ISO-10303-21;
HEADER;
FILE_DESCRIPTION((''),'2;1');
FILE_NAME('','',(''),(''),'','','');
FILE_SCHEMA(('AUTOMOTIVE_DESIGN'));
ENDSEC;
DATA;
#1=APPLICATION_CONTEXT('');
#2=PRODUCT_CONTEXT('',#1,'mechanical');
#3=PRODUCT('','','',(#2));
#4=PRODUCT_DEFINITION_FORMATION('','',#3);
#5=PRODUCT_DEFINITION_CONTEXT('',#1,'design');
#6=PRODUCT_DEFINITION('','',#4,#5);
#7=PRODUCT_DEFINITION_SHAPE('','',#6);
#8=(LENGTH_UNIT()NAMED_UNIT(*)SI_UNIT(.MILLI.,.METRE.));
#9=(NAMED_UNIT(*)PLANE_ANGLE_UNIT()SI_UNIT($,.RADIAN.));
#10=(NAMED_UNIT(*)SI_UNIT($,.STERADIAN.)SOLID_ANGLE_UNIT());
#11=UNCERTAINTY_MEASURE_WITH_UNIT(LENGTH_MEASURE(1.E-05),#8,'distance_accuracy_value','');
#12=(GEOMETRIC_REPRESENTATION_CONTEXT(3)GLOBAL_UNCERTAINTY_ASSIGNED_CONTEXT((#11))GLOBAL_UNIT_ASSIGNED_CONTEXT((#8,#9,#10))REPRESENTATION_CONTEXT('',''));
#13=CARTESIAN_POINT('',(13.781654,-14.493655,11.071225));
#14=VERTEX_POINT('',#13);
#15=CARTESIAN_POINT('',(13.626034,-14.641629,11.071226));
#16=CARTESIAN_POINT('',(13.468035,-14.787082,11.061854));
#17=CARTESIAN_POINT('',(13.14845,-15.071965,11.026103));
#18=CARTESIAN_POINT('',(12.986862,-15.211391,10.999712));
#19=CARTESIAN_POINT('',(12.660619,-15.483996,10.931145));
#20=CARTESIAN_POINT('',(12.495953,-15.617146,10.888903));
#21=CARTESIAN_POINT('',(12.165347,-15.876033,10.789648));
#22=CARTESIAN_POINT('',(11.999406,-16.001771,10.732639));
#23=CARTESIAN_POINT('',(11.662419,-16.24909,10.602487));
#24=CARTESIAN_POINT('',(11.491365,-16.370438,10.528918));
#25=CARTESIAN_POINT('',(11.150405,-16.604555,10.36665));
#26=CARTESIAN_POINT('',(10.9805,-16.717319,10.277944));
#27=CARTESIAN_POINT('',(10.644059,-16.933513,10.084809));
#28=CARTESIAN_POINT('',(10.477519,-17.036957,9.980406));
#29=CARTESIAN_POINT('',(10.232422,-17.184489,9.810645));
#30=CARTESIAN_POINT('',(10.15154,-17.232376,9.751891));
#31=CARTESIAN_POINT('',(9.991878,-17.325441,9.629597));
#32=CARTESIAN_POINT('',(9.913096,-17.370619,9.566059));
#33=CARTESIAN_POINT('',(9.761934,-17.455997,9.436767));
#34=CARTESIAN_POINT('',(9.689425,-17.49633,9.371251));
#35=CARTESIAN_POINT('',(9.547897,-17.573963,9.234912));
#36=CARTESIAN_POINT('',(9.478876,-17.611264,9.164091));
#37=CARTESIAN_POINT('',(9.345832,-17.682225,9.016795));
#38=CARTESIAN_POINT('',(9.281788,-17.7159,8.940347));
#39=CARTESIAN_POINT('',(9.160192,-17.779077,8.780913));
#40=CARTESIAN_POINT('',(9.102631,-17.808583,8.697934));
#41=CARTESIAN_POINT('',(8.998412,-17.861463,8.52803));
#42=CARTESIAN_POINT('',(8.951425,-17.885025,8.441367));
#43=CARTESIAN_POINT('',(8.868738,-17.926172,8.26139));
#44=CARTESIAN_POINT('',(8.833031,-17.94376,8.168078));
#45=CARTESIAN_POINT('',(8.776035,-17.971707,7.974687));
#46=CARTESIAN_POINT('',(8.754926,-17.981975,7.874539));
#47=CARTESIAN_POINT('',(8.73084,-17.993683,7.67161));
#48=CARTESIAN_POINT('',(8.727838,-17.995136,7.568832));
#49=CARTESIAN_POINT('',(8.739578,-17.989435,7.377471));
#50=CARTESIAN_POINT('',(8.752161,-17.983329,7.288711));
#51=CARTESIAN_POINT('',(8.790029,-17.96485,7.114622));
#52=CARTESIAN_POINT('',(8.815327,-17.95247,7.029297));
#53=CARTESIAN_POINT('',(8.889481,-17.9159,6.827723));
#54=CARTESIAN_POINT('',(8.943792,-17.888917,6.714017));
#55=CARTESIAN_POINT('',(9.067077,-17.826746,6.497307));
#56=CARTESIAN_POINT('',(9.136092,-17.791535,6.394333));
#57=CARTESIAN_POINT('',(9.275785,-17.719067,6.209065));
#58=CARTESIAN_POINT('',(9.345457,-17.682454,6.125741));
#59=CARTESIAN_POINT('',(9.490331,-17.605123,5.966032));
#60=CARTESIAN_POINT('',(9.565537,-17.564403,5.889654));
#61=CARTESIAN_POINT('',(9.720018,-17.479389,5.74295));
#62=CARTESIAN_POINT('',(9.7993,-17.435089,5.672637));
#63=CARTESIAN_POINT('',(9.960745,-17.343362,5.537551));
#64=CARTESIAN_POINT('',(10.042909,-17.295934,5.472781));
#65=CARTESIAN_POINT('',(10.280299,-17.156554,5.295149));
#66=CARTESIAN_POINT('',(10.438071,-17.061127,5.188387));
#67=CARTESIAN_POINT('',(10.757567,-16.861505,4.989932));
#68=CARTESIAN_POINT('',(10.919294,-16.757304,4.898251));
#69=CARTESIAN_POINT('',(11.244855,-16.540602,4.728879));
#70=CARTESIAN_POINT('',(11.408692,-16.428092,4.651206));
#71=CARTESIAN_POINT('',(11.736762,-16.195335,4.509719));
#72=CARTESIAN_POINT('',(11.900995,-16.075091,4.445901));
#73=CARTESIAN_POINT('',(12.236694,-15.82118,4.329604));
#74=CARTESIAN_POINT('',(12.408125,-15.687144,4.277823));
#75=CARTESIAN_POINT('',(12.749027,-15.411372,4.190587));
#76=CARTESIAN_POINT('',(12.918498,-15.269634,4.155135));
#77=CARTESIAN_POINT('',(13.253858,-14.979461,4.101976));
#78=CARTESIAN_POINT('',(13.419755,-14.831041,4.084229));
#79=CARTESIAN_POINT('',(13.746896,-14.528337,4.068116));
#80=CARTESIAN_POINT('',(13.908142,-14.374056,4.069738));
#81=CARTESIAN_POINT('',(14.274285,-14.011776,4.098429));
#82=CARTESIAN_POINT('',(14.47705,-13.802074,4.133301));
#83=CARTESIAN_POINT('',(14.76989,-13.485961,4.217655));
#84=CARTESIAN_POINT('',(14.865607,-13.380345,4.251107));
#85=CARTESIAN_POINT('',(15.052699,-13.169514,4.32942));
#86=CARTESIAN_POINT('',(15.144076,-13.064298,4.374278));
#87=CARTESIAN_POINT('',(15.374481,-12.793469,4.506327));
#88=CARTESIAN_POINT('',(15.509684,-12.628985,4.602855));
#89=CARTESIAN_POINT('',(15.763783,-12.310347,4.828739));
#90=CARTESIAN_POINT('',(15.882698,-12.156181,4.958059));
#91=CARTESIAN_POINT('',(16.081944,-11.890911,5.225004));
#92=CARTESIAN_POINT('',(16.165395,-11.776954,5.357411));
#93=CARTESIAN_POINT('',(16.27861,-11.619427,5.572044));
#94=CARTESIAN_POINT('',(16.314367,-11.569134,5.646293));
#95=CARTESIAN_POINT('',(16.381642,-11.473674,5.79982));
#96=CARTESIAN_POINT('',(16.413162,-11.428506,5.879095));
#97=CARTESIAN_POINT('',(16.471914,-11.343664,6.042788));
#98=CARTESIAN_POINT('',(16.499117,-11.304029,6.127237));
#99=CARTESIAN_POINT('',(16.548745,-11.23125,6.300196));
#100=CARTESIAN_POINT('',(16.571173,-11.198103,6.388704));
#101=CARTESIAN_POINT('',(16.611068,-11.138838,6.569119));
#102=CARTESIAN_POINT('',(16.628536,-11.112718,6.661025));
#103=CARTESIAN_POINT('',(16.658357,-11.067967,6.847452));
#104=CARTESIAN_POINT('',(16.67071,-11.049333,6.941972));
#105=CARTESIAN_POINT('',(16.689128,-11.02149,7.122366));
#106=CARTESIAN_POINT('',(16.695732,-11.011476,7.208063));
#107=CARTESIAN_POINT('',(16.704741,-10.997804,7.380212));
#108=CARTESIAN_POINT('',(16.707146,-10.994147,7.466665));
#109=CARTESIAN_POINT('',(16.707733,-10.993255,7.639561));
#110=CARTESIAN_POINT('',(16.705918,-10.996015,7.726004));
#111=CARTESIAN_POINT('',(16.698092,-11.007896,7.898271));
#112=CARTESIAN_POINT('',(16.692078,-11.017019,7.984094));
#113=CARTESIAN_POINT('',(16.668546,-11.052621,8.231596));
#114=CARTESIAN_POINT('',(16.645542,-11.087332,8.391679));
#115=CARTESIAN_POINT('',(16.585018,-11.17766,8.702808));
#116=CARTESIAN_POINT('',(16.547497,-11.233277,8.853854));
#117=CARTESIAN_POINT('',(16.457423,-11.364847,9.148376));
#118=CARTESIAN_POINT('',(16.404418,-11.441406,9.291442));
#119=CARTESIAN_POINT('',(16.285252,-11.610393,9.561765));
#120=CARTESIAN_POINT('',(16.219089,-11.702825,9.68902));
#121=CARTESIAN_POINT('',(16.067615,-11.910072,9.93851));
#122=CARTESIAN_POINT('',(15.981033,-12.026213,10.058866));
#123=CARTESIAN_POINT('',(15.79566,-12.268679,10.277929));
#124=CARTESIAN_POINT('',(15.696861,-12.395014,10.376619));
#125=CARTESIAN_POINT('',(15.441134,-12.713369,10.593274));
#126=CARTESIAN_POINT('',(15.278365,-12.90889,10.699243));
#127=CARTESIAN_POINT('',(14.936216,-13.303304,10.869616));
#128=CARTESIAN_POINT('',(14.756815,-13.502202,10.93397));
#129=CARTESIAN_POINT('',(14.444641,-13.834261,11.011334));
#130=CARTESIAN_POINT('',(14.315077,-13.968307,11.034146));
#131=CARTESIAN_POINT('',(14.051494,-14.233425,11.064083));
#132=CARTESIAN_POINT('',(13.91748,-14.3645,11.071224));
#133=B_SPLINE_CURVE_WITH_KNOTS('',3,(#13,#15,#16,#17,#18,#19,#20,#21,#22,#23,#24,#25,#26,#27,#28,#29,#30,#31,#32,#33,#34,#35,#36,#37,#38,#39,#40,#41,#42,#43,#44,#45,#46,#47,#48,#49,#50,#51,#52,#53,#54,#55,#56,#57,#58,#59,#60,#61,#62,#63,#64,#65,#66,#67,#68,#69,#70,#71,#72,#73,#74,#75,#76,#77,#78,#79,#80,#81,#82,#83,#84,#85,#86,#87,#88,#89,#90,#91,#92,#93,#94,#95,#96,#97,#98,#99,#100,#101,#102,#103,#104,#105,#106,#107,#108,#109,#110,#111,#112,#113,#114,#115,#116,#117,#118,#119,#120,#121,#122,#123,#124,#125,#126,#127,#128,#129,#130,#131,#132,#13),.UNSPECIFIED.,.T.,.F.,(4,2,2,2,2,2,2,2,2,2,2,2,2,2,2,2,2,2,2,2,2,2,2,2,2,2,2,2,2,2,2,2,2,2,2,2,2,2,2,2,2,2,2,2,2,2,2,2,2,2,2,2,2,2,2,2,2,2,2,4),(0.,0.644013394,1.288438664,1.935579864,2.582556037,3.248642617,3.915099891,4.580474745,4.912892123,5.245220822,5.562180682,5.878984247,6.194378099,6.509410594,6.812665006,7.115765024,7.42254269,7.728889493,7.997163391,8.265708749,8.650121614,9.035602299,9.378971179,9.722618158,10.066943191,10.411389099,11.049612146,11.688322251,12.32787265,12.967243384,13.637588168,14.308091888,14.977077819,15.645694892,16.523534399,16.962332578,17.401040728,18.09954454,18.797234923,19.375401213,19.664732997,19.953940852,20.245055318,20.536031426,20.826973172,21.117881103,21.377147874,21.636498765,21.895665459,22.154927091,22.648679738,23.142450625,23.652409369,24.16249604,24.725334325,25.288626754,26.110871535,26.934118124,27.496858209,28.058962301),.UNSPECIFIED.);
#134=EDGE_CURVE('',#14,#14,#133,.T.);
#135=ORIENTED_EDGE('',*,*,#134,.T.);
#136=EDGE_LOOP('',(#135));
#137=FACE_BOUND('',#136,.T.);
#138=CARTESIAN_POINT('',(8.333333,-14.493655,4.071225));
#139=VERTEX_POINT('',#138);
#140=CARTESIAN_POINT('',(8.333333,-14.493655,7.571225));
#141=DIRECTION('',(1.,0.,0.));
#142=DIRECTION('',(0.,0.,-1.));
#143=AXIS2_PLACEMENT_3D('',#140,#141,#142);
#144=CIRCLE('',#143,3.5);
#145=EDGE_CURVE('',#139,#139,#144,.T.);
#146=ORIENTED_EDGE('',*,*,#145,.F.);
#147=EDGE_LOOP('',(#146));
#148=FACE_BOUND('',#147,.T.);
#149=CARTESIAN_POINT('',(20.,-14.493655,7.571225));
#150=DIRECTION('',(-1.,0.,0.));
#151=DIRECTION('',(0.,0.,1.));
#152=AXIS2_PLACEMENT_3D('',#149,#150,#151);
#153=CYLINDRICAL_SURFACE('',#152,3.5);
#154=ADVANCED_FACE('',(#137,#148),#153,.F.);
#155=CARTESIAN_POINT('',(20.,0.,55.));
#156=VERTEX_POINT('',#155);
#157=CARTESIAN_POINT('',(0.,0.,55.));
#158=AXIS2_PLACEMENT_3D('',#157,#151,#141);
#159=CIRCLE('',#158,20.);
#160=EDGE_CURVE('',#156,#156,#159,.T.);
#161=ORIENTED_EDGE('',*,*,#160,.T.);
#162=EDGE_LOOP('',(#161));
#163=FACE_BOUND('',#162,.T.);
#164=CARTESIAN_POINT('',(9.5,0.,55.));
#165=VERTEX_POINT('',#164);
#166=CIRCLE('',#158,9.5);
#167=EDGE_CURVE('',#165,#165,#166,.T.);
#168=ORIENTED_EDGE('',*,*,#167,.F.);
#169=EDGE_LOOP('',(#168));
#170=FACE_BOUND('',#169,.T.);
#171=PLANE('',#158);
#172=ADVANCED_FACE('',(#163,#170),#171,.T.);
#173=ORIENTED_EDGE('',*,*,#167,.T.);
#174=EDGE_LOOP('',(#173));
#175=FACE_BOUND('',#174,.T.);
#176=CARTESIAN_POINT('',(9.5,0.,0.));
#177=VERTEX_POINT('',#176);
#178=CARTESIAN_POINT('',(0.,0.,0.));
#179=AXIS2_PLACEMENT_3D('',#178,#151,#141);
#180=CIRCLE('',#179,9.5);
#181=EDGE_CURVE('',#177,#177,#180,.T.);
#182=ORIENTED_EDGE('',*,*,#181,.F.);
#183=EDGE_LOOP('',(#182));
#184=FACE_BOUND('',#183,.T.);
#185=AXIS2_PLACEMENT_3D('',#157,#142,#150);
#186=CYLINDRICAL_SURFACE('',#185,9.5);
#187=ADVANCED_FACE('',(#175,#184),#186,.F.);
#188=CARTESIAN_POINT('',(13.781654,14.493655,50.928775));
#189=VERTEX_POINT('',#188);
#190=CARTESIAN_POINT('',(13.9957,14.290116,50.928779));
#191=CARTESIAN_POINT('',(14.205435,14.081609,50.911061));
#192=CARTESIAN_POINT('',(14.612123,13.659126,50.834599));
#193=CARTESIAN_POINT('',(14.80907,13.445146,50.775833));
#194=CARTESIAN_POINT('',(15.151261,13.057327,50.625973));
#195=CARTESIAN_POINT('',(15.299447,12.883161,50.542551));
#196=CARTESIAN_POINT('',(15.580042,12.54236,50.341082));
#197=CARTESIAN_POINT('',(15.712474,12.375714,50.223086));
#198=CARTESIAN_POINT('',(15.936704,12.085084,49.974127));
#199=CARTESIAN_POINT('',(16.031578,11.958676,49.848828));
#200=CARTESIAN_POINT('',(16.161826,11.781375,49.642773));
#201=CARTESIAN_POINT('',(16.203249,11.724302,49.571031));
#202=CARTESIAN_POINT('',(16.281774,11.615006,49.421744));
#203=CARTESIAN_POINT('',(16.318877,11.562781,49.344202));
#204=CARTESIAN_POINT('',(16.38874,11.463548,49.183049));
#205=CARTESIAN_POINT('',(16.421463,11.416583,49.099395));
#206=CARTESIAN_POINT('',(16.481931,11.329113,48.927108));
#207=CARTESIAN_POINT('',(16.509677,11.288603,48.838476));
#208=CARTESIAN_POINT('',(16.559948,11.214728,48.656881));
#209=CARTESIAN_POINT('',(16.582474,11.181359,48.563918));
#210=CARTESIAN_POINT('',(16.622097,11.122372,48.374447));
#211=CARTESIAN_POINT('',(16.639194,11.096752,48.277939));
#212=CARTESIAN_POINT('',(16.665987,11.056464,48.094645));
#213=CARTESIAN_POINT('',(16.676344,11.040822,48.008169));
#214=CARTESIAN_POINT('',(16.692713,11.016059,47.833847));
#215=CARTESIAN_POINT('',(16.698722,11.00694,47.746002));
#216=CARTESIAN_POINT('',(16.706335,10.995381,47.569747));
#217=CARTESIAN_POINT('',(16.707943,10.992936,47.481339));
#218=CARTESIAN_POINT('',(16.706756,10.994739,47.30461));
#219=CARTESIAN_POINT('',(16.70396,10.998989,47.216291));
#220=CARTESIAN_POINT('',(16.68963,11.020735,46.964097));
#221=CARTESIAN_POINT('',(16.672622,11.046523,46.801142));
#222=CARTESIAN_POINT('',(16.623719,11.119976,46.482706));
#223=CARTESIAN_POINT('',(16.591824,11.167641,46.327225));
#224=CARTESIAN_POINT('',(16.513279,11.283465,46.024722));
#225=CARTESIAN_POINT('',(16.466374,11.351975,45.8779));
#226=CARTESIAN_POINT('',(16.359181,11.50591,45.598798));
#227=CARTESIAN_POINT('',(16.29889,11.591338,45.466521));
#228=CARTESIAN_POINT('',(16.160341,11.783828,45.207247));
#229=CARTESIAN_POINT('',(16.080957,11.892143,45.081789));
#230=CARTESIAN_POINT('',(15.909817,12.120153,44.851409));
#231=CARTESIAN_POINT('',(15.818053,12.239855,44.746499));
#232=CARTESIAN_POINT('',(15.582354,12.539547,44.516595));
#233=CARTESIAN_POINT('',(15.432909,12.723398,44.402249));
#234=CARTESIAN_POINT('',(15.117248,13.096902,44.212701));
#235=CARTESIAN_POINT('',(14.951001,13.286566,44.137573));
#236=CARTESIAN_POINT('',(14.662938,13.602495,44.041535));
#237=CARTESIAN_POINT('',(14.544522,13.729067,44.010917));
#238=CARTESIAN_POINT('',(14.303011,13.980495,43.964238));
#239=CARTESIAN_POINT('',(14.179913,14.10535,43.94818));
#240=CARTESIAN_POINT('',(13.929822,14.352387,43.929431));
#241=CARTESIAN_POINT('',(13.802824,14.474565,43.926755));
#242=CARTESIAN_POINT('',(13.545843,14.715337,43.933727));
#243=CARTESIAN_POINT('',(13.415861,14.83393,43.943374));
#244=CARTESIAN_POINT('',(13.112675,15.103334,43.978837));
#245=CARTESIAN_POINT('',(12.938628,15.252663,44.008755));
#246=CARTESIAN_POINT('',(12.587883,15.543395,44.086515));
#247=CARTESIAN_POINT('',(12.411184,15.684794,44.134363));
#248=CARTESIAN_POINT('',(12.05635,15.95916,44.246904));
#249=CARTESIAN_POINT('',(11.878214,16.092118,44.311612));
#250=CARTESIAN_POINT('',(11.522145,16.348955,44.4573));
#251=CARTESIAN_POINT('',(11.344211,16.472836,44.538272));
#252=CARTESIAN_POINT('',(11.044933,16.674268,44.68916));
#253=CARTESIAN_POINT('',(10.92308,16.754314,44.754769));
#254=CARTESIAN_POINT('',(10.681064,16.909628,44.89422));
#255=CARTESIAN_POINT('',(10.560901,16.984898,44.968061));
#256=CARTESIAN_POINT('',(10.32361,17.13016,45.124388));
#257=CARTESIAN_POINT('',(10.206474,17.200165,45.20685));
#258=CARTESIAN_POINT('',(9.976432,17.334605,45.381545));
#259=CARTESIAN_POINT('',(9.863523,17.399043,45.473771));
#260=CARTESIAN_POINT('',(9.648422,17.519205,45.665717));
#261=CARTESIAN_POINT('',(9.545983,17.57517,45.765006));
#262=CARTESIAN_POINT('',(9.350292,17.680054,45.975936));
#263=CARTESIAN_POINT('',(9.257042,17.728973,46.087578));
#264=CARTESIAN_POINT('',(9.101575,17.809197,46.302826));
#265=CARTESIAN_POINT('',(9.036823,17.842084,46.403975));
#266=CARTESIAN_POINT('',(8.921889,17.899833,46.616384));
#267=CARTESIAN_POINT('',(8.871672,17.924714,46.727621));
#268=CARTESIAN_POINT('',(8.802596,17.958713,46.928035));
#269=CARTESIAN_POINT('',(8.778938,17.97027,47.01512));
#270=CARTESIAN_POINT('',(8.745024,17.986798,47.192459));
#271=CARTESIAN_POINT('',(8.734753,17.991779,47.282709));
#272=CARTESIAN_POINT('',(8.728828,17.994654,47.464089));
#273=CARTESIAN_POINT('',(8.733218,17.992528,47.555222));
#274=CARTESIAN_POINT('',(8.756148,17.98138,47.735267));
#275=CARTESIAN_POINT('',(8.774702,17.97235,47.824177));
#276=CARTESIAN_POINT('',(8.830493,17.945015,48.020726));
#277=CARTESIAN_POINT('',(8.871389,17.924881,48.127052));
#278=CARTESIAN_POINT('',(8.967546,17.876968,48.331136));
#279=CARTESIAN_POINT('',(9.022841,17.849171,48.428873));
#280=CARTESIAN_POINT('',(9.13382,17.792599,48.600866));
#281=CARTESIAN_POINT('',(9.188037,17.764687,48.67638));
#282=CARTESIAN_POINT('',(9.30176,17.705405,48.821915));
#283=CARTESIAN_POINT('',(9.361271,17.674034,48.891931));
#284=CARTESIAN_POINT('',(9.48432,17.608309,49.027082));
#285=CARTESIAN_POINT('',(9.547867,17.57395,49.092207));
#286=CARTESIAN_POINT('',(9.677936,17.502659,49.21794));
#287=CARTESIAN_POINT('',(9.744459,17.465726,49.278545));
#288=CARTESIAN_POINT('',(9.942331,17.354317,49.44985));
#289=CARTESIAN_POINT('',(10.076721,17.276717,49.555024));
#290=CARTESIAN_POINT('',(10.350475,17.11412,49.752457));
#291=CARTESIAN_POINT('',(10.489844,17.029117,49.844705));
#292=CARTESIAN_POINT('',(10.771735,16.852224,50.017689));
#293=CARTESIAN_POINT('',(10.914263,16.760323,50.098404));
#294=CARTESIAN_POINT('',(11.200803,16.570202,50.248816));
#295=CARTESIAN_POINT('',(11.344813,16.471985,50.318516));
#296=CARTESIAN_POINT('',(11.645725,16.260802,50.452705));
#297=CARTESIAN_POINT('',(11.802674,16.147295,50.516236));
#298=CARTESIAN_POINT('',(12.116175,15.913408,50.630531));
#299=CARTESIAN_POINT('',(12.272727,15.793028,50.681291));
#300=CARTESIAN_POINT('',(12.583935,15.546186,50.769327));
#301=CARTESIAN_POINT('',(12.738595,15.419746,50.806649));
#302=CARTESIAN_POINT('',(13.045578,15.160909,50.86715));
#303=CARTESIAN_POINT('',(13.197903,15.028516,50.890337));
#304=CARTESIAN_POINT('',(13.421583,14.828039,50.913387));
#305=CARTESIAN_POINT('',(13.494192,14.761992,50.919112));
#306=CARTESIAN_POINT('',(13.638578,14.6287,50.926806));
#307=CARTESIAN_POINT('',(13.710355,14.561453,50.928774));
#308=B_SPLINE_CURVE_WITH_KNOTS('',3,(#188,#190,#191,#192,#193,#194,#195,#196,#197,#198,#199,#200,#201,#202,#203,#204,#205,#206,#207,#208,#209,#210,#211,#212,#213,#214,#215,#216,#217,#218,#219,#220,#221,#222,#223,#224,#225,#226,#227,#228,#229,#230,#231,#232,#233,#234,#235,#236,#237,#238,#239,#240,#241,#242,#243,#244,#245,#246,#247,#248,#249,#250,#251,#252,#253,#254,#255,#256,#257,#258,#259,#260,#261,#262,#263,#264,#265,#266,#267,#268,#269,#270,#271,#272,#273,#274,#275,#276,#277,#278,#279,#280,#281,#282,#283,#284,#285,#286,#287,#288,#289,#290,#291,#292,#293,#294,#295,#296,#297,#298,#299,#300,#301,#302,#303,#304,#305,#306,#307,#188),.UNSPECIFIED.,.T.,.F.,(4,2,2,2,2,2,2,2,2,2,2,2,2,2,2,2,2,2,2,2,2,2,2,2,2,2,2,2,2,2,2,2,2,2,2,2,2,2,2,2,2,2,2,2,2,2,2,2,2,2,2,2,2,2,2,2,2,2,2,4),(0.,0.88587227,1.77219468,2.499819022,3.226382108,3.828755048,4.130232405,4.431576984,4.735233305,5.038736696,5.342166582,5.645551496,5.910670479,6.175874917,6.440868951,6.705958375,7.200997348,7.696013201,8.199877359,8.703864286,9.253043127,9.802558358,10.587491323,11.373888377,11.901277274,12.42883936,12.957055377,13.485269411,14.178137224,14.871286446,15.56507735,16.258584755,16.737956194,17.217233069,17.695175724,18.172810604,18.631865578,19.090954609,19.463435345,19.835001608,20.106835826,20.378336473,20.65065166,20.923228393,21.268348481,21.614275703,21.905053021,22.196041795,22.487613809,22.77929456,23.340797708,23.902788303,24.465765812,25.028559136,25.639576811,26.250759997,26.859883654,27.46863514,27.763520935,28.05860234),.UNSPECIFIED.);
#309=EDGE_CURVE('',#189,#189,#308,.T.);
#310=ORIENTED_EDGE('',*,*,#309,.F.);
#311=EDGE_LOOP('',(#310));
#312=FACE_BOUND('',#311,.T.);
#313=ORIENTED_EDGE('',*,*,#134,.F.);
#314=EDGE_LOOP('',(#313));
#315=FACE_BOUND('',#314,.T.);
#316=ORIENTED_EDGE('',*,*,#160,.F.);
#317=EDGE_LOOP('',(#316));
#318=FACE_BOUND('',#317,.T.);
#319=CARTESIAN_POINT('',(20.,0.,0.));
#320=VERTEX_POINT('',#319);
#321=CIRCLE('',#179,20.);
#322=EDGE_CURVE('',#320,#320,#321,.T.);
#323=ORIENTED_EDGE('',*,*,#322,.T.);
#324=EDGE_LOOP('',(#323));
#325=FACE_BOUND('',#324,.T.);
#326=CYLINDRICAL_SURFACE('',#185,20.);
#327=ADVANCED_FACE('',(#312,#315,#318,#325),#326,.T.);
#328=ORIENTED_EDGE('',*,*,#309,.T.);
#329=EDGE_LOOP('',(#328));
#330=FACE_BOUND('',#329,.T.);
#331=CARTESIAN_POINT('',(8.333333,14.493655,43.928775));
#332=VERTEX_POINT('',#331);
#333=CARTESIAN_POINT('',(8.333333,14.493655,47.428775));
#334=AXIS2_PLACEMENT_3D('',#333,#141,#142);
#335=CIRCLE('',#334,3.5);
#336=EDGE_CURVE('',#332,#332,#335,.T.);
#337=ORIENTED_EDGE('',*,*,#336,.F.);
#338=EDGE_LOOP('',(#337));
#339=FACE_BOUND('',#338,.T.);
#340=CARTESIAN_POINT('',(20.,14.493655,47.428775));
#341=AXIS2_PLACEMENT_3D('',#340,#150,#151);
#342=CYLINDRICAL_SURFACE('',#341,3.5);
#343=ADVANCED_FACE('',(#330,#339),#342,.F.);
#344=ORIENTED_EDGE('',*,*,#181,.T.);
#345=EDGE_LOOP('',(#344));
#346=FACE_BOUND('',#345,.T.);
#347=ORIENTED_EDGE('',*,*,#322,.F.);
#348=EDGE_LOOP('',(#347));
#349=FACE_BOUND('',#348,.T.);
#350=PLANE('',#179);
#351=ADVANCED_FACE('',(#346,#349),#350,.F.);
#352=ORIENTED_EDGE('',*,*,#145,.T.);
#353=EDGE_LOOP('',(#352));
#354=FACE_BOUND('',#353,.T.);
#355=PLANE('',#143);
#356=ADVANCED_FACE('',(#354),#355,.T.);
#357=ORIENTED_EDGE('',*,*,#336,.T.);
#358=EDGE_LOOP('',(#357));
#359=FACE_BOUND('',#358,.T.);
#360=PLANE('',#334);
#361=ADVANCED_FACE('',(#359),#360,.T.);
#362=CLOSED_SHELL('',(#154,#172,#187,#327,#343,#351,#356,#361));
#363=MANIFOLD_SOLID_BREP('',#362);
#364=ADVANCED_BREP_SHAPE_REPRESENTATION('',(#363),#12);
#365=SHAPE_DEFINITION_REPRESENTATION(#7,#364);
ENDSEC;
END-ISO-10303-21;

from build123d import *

# Parameters (mm, degrees)
SKETCH1_R           = 20
SKETCH1_R_2         = 9.5
BOSS_EXTRUDE1_DEPTH = 55
SKETCH2_R           = 3.5
CUT_EXTRUDE1_DEPTH  = 12.66666667


with BuildPart() as part:
    # Sketch1 → Boss-Extrude1 (new body)
    with BuildSketch(Plane.XY):
        Circle(SKETCH1_R)
        Circle(SKETCH1_R_2, mode=Mode.SUBTRACT)
    extrude(amount=BOSS_EXTRUDE1_DEPTH)

    # Sketch2 → Cut-Extrude1 (cut, through all)
    with BuildSketch(Plane(origin=(8.33333333, 0, 0), x_dir=(0, 0, -1), z_dir=(1, 0, 0))):
        with Locations((-47.428775099, 14.493654617)):
            Circle(SKETCH2_R)
        with Locations((-7.571224901, -14.493654617)):
            Circle(SKETCH2_R)
    extrude(amount=CUT_EXTRUDE1_DEPTH, mode=Mode.SUBTRACT)


solid = part.part
